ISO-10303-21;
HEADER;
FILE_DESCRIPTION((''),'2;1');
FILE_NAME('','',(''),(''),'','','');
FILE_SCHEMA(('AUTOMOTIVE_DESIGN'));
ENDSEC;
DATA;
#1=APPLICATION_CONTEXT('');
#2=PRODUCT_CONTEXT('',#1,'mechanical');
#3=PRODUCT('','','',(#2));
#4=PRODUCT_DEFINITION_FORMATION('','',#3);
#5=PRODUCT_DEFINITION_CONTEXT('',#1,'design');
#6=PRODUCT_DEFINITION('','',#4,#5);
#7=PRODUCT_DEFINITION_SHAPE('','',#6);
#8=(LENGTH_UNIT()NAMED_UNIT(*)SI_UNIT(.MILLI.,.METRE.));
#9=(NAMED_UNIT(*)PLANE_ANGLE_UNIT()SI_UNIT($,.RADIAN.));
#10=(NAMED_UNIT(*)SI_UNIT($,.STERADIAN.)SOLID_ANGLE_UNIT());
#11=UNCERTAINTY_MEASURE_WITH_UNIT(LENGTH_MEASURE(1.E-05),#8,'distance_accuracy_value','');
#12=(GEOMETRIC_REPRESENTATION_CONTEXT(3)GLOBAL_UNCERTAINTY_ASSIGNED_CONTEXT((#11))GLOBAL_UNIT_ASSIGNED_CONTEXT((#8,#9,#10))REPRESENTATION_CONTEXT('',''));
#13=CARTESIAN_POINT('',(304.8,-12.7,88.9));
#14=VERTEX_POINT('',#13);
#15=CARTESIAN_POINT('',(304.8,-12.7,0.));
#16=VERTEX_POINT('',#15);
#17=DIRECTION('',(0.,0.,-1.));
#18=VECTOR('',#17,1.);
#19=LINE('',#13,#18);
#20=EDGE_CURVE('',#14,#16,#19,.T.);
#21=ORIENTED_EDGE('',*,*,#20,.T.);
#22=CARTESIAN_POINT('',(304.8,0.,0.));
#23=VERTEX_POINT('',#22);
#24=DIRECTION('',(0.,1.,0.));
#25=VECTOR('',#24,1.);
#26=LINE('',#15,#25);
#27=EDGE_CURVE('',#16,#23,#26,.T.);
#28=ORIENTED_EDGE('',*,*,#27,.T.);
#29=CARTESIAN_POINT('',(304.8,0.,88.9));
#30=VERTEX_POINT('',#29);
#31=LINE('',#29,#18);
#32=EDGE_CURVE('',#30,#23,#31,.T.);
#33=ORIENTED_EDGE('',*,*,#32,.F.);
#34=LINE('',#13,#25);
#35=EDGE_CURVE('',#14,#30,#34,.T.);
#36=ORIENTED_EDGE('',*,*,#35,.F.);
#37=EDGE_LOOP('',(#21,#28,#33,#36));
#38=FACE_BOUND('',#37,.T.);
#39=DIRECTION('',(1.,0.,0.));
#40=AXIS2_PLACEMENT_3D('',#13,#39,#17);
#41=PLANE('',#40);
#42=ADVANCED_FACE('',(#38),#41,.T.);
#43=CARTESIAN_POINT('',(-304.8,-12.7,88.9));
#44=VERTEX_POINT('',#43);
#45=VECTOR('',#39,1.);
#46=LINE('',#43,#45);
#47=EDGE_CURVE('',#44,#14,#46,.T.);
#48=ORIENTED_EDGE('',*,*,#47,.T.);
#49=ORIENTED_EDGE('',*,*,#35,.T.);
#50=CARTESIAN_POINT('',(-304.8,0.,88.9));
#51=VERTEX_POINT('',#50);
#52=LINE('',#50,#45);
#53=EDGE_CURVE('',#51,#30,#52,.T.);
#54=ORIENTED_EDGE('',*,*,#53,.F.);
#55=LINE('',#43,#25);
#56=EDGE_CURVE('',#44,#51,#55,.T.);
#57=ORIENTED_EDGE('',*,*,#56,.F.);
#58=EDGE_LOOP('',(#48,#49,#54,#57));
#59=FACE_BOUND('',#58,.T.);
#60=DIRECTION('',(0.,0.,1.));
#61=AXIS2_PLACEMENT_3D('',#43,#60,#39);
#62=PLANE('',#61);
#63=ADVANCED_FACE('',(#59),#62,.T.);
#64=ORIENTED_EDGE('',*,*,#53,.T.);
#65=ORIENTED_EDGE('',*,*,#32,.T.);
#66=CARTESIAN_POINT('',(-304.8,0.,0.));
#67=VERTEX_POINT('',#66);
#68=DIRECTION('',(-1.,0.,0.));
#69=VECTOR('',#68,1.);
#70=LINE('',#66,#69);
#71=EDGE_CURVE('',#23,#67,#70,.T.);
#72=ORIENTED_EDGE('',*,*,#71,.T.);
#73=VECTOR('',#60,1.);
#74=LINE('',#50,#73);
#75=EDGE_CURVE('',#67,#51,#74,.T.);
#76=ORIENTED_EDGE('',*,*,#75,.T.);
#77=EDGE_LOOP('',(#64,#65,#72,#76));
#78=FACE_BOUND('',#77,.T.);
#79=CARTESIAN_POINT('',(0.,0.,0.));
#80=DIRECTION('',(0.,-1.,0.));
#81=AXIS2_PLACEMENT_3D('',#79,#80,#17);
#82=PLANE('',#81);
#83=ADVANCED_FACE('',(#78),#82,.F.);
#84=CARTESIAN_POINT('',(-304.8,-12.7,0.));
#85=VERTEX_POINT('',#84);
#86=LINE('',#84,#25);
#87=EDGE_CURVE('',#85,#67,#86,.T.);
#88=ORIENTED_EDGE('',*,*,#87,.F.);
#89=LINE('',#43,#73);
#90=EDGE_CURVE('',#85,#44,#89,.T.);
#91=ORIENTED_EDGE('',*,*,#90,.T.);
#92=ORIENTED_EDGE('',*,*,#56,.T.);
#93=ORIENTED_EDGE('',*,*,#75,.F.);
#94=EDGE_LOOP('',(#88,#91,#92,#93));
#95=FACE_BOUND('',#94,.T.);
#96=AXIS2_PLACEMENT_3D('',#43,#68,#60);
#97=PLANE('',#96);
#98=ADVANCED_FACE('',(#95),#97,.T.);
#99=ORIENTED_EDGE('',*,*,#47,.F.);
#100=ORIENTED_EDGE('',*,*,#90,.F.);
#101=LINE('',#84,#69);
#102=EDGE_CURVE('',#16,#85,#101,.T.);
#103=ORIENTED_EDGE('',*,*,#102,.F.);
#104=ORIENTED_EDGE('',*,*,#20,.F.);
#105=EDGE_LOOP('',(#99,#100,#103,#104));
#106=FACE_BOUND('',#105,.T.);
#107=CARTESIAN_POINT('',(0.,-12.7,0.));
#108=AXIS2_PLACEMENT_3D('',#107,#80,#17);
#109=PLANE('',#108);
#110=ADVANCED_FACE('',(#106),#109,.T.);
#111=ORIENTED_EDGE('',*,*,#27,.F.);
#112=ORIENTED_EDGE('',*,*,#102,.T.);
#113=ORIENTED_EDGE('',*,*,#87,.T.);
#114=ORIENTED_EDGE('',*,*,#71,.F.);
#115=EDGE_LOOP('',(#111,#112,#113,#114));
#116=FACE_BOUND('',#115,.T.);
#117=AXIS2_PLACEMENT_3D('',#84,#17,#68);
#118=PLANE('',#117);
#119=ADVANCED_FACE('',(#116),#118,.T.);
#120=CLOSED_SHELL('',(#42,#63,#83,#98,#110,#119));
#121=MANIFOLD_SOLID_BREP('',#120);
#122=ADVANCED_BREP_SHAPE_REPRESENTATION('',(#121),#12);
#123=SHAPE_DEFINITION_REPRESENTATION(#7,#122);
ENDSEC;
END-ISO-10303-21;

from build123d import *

# Parameters (mm, degrees)
SKETCH1_W           = 609.6
SKETCH1_H           = 88.9
BOSS_EXTRUDE1_DEPTH = 12.7


with BuildPart() as part:
    # Sketch1 → Boss-Extrude1 (new body)
    with BuildSketch(Plane(origin=(0, 0, 0), x_dir=(1, 0, 0), z_dir=(0, 1, 0))):
        with Locations((0, -44.45)):
            Rectangle(SKETCH1_W, SKETCH1_H)
    extrude(amount=-BOSS_EXTRUDE1_DEPTH)


solid = part.part
